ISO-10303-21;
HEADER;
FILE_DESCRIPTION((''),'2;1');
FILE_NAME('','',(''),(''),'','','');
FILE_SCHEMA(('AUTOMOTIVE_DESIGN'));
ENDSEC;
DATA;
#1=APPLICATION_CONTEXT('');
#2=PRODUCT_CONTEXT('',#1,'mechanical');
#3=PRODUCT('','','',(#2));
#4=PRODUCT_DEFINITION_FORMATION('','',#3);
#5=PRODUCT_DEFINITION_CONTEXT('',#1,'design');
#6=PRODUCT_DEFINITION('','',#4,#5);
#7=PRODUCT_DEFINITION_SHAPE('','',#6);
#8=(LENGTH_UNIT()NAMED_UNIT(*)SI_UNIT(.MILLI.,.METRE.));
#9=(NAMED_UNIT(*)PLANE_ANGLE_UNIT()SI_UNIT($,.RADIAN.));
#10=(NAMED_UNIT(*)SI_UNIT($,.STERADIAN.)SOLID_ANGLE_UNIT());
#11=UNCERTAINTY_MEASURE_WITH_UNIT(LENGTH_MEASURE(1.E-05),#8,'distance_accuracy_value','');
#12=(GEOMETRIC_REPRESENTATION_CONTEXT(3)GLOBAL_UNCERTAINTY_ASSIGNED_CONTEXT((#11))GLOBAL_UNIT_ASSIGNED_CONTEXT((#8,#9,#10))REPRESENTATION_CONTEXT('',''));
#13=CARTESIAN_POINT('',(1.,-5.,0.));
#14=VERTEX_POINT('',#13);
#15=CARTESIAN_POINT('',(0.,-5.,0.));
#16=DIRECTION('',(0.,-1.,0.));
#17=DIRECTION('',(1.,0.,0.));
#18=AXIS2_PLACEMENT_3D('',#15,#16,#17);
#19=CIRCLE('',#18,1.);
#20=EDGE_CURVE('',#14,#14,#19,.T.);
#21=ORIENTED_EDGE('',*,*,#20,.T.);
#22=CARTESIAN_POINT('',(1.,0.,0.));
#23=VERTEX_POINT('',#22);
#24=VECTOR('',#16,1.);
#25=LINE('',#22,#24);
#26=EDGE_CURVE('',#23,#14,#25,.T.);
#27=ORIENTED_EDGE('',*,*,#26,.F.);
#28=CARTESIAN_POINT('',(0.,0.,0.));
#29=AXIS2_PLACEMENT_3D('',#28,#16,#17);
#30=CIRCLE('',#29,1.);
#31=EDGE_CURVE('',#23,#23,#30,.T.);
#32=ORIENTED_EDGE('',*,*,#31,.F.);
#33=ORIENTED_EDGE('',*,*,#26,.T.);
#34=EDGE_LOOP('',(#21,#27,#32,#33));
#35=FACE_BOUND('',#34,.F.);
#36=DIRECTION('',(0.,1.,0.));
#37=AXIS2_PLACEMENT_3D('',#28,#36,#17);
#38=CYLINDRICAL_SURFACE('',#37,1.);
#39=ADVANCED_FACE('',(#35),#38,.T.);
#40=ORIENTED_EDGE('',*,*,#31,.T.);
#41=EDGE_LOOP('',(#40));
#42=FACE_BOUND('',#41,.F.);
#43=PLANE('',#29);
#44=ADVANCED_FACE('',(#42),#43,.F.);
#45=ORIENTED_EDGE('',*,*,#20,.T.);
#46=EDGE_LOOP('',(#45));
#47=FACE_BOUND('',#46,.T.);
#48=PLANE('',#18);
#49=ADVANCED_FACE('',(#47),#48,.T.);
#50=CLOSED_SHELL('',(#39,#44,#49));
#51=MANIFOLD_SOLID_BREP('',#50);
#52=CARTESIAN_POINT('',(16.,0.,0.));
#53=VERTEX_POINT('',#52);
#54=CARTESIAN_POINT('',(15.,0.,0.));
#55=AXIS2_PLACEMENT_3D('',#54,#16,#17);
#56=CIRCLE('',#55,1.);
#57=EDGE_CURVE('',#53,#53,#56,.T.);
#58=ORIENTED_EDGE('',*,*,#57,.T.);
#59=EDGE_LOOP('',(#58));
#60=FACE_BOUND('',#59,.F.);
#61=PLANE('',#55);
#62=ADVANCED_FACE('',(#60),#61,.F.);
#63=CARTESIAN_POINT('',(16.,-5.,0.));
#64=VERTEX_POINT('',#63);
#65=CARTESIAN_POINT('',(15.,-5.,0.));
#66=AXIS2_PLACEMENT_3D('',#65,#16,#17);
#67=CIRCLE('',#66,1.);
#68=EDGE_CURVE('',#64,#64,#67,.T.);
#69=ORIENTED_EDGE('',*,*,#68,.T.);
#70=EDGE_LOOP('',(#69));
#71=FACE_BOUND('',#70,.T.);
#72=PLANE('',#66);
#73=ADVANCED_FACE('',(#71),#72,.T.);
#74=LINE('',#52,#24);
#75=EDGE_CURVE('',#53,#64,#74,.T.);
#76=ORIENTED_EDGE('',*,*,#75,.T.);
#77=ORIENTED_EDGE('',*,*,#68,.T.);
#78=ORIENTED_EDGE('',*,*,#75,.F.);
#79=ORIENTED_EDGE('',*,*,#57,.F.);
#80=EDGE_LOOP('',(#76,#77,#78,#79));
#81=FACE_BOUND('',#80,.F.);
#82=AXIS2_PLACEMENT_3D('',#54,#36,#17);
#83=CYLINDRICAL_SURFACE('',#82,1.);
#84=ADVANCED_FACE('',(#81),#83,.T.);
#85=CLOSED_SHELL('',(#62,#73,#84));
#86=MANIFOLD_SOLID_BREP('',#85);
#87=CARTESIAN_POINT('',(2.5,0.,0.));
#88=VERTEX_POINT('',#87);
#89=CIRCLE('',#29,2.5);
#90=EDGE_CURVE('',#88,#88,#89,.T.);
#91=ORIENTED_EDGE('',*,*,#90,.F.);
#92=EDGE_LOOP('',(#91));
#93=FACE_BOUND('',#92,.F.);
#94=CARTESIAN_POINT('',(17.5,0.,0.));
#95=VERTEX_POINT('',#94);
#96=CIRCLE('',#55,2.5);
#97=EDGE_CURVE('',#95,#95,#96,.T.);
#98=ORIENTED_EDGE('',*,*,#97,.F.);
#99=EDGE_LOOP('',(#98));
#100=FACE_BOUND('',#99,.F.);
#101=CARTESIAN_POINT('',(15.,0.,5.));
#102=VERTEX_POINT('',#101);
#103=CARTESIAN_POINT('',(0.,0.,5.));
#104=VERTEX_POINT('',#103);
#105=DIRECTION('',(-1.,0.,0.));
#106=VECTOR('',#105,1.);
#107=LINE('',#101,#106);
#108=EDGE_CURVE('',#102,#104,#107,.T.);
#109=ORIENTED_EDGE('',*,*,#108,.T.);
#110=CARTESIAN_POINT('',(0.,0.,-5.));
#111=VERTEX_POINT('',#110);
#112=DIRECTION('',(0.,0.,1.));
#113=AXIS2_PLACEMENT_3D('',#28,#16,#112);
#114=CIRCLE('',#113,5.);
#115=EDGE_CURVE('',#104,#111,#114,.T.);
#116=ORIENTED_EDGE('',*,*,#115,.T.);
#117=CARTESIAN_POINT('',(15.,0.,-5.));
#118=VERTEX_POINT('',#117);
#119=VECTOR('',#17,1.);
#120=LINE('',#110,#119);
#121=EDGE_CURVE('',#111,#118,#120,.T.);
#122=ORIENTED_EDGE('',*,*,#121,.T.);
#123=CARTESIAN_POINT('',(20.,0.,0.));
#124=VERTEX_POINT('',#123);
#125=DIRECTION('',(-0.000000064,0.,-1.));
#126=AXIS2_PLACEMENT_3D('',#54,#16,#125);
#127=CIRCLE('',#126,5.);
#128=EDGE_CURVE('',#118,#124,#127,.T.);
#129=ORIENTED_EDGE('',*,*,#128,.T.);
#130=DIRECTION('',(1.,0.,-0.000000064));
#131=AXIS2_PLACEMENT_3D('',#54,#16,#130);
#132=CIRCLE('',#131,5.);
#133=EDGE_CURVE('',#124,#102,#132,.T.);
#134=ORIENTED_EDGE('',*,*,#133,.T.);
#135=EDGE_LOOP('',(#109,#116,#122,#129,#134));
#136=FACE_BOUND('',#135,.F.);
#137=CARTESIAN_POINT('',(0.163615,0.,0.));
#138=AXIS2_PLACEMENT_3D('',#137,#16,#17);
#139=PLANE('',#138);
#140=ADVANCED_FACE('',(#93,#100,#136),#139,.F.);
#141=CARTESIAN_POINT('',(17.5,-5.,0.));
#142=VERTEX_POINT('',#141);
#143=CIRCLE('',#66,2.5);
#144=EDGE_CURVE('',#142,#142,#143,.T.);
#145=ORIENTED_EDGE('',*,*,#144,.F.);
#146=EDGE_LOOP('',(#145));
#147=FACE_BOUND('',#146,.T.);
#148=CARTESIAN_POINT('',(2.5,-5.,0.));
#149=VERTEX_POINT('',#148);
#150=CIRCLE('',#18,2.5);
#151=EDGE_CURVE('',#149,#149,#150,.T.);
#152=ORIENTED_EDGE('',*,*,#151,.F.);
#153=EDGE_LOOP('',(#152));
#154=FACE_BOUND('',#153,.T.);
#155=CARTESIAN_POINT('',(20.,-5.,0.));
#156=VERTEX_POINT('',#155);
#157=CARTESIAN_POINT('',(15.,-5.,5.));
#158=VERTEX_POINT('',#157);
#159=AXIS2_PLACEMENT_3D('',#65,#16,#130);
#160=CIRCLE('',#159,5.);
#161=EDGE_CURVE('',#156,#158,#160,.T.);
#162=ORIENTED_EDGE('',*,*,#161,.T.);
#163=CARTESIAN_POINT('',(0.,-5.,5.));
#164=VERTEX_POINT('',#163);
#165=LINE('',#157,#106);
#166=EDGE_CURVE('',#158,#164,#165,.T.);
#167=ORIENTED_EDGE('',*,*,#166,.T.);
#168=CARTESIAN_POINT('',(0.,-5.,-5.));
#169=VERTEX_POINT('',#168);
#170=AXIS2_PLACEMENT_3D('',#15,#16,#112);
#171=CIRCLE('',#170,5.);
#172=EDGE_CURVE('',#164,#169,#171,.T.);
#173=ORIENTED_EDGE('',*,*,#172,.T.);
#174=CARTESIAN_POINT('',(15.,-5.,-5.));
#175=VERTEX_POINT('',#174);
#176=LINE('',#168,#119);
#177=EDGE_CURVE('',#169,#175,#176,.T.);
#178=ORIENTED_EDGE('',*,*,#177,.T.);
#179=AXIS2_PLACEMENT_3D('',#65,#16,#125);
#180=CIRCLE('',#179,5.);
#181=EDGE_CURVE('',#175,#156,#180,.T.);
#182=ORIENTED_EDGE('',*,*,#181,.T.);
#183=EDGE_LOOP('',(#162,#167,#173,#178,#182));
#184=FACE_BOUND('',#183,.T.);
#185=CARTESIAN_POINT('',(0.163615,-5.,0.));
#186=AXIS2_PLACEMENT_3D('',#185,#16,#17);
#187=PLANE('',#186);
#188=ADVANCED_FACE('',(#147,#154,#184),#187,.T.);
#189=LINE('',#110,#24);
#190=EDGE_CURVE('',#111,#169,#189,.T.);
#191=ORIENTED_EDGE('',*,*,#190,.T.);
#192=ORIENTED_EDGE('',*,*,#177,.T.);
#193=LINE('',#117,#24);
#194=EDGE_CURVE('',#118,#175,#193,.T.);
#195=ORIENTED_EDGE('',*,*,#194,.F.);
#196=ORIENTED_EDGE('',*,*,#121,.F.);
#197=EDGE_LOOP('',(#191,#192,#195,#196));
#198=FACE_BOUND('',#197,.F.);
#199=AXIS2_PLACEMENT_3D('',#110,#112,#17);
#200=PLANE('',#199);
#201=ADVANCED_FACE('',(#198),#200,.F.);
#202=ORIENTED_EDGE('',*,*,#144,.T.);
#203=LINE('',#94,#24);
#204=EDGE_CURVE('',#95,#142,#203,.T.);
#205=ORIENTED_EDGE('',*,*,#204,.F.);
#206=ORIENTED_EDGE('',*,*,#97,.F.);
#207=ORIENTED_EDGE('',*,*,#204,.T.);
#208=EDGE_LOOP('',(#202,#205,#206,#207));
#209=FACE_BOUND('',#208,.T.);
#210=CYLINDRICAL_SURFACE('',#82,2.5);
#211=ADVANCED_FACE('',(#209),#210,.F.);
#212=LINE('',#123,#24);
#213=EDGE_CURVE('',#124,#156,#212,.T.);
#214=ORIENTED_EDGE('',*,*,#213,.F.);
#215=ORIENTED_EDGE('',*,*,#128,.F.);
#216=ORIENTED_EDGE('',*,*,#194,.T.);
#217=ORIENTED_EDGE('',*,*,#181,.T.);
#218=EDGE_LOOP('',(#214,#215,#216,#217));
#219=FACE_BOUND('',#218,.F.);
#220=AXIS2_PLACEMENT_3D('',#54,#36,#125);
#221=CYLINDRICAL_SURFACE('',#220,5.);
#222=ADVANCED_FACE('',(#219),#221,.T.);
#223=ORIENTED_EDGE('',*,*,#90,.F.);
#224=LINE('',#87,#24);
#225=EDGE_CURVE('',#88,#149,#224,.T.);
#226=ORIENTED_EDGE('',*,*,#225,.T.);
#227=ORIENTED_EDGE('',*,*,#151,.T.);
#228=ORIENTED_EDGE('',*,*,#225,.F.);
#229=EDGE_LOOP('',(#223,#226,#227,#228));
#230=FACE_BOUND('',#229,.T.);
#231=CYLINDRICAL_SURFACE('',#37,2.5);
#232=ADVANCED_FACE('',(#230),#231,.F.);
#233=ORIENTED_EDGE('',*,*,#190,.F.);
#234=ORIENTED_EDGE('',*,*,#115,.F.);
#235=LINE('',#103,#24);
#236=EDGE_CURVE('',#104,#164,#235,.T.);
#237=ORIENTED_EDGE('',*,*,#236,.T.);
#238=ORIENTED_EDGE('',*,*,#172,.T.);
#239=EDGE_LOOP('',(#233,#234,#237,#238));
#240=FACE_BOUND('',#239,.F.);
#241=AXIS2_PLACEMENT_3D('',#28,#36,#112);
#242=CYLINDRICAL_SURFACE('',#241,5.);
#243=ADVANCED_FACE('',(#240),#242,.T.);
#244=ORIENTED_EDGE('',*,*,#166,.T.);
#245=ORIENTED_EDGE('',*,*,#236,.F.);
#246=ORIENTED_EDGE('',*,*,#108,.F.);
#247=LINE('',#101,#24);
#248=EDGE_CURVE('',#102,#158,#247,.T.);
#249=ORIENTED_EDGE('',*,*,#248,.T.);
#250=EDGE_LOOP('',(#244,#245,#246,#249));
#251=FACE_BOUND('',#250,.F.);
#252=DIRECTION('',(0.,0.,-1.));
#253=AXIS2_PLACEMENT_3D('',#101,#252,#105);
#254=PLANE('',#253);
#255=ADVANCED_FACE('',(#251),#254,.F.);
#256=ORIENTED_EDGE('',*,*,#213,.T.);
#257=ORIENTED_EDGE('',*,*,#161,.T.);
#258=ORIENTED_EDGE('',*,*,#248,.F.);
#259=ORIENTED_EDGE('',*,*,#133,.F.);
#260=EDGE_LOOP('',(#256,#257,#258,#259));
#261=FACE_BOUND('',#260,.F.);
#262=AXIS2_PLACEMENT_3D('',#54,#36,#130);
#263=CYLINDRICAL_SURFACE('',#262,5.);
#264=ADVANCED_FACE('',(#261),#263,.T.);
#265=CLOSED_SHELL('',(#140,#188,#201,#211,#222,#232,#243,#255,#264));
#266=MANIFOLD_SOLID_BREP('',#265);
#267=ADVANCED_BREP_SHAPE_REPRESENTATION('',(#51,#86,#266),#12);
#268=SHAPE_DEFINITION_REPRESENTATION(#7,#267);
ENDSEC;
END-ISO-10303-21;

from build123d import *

# Parameters (mm, degrees)
F0_R     = 2.5
F0_R_2   = 1
F1_DEPTH = 5


with BuildPart() as f1:
    # F0 (on Front) → F1 (new body)
    with BuildSketch(Plane.XZ):
        with BuildLine():
            ThreePointArc((0, -5), (3.535534, -3.535534), (5, 0))
            ThreePointArc((5, 0), (3.535534, 3.535534), (0, 5))
            ThreePointArc((0, 5), (-5, 0), (0, -5))
        make_face()
        Circle(F0_R, mode=Mode.SUBTRACT)
        with BuildLine():
            ThreePointArc((20, 0), (18.535534, 3.535534), (15, 5))
            ThreePointArc((15, 5), (10, 0), (15, -5))
            ThreePointArc((15, -5), (18.535534, -3.535534), (20, 0))
        make_face()
        with Locations((15, 0)):
            Circle(F0_R, mode=Mode.SUBTRACT)
        with BuildLine():
            ThreePointArc((0, 5), (3.535534, 3.535534), (5, 0))
            ThreePointArc((5, 0), (3.535534, -3.535534), (0, -5))
            Line((0, -5), (15, -5))
            ThreePointArc((15, -5), (10, 0), (15, 5))
            Line((15, 5), (0, 5))
        make_face()
        Circle(F0_R_2)
        with Locations((15, 0)):
            Circle(F0_R_2)
    extrude(amount=F1_DEPTH)


solid = f1.part
